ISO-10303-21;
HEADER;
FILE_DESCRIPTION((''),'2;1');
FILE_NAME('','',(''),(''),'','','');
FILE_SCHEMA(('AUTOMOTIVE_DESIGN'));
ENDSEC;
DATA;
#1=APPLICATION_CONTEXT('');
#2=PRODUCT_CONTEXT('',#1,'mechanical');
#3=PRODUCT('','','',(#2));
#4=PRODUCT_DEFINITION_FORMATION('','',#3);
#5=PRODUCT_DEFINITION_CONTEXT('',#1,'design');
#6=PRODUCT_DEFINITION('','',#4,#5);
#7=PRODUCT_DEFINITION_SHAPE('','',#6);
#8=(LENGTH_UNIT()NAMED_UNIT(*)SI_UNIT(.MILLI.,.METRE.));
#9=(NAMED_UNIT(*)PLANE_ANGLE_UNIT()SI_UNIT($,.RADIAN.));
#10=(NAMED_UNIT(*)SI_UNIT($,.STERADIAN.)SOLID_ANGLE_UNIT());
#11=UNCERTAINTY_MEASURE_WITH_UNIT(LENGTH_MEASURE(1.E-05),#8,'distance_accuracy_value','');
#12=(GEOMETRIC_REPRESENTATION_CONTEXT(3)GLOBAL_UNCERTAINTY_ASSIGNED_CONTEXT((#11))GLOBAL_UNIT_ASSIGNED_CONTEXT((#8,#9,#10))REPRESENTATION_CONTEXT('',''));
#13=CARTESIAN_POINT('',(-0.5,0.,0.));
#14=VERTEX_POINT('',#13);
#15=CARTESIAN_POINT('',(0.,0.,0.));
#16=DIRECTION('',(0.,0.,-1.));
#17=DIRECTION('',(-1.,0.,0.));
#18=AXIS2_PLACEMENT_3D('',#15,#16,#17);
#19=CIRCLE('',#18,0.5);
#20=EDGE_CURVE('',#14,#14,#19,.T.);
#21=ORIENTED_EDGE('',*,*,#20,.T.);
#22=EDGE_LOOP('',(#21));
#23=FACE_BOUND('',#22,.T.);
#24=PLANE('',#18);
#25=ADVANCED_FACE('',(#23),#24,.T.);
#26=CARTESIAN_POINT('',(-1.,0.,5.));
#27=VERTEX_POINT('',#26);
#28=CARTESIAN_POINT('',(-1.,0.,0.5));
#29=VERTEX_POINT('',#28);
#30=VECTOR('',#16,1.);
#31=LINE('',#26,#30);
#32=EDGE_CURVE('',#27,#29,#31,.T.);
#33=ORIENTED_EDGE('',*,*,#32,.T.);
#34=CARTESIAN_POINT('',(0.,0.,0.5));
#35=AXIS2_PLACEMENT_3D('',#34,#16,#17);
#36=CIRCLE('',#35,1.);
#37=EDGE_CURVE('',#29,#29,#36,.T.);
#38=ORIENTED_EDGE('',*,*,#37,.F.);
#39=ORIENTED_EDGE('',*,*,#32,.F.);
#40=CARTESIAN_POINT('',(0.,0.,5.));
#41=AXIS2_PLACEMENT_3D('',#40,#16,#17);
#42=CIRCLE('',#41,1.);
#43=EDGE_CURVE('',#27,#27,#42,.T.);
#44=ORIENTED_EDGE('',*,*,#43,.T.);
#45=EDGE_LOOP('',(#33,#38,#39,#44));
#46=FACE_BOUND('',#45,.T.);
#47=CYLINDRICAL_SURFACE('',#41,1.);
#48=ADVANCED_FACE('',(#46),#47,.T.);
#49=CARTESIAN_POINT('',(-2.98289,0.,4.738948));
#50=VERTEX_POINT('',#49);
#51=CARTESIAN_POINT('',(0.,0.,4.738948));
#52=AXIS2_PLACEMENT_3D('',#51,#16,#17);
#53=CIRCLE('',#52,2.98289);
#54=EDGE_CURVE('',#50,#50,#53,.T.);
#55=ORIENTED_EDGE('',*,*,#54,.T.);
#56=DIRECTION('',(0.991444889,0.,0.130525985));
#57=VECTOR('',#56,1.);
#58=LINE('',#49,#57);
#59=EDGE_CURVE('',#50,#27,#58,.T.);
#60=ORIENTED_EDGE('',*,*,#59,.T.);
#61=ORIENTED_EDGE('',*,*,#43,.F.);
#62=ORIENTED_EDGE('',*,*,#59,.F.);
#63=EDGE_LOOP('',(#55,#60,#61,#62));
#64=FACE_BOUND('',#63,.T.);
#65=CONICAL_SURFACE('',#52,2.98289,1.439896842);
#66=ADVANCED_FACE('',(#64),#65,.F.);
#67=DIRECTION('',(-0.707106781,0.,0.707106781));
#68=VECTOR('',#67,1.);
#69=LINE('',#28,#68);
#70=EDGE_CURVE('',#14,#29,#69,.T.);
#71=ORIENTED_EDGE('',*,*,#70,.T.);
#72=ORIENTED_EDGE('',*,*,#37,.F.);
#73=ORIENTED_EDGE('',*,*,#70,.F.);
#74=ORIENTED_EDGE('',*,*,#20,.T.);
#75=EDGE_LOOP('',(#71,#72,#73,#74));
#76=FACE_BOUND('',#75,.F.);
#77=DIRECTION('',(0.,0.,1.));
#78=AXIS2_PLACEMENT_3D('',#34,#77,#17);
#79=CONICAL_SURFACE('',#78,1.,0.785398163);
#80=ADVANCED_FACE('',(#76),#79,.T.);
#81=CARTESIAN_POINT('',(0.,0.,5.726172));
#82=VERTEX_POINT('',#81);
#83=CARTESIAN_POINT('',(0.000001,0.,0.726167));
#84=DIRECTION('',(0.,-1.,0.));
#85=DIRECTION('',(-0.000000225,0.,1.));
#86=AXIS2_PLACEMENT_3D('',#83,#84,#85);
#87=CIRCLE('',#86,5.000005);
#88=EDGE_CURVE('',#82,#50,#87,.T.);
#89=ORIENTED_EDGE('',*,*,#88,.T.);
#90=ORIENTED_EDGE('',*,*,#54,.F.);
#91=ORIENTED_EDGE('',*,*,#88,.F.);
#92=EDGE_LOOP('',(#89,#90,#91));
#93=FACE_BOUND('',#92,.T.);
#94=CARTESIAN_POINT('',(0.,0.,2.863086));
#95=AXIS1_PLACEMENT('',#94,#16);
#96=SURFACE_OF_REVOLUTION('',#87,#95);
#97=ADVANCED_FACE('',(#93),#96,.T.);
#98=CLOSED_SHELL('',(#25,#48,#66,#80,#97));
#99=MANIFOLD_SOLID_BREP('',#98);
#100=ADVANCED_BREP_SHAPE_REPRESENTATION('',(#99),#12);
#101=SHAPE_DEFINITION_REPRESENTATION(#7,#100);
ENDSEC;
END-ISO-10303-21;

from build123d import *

# Parameters (mm, degrees)
F2_SIZE = 0.5


with BuildPart() as f1:
    # F0 (on Front) → F1 (revolve)
    with BuildSketch(Plane.XZ):
        with BuildLine():
            Line((-1, 0), (0, 0))
            Line((0, 0), (0, 5.726172))
            ThreePointArc((0, 5.726172), (-1.571006, 5.472954), (-2.98289, 4.738948))
            Line((-2.98289, 4.738948), (-1, 5))
            Line((-1, 5), (-1, 0))
        make_face()
    revolve(axis=Axis((0, 0, 2.863086), (0, 0, -1)))

    # F2
    f2_edges = [f1.edges().sort_by_distance(p)[0] for p in [
        (1, 0, 0),
    ]]
    chamfer(f2_edges, length=F2_SIZE)


solid = f1.part
